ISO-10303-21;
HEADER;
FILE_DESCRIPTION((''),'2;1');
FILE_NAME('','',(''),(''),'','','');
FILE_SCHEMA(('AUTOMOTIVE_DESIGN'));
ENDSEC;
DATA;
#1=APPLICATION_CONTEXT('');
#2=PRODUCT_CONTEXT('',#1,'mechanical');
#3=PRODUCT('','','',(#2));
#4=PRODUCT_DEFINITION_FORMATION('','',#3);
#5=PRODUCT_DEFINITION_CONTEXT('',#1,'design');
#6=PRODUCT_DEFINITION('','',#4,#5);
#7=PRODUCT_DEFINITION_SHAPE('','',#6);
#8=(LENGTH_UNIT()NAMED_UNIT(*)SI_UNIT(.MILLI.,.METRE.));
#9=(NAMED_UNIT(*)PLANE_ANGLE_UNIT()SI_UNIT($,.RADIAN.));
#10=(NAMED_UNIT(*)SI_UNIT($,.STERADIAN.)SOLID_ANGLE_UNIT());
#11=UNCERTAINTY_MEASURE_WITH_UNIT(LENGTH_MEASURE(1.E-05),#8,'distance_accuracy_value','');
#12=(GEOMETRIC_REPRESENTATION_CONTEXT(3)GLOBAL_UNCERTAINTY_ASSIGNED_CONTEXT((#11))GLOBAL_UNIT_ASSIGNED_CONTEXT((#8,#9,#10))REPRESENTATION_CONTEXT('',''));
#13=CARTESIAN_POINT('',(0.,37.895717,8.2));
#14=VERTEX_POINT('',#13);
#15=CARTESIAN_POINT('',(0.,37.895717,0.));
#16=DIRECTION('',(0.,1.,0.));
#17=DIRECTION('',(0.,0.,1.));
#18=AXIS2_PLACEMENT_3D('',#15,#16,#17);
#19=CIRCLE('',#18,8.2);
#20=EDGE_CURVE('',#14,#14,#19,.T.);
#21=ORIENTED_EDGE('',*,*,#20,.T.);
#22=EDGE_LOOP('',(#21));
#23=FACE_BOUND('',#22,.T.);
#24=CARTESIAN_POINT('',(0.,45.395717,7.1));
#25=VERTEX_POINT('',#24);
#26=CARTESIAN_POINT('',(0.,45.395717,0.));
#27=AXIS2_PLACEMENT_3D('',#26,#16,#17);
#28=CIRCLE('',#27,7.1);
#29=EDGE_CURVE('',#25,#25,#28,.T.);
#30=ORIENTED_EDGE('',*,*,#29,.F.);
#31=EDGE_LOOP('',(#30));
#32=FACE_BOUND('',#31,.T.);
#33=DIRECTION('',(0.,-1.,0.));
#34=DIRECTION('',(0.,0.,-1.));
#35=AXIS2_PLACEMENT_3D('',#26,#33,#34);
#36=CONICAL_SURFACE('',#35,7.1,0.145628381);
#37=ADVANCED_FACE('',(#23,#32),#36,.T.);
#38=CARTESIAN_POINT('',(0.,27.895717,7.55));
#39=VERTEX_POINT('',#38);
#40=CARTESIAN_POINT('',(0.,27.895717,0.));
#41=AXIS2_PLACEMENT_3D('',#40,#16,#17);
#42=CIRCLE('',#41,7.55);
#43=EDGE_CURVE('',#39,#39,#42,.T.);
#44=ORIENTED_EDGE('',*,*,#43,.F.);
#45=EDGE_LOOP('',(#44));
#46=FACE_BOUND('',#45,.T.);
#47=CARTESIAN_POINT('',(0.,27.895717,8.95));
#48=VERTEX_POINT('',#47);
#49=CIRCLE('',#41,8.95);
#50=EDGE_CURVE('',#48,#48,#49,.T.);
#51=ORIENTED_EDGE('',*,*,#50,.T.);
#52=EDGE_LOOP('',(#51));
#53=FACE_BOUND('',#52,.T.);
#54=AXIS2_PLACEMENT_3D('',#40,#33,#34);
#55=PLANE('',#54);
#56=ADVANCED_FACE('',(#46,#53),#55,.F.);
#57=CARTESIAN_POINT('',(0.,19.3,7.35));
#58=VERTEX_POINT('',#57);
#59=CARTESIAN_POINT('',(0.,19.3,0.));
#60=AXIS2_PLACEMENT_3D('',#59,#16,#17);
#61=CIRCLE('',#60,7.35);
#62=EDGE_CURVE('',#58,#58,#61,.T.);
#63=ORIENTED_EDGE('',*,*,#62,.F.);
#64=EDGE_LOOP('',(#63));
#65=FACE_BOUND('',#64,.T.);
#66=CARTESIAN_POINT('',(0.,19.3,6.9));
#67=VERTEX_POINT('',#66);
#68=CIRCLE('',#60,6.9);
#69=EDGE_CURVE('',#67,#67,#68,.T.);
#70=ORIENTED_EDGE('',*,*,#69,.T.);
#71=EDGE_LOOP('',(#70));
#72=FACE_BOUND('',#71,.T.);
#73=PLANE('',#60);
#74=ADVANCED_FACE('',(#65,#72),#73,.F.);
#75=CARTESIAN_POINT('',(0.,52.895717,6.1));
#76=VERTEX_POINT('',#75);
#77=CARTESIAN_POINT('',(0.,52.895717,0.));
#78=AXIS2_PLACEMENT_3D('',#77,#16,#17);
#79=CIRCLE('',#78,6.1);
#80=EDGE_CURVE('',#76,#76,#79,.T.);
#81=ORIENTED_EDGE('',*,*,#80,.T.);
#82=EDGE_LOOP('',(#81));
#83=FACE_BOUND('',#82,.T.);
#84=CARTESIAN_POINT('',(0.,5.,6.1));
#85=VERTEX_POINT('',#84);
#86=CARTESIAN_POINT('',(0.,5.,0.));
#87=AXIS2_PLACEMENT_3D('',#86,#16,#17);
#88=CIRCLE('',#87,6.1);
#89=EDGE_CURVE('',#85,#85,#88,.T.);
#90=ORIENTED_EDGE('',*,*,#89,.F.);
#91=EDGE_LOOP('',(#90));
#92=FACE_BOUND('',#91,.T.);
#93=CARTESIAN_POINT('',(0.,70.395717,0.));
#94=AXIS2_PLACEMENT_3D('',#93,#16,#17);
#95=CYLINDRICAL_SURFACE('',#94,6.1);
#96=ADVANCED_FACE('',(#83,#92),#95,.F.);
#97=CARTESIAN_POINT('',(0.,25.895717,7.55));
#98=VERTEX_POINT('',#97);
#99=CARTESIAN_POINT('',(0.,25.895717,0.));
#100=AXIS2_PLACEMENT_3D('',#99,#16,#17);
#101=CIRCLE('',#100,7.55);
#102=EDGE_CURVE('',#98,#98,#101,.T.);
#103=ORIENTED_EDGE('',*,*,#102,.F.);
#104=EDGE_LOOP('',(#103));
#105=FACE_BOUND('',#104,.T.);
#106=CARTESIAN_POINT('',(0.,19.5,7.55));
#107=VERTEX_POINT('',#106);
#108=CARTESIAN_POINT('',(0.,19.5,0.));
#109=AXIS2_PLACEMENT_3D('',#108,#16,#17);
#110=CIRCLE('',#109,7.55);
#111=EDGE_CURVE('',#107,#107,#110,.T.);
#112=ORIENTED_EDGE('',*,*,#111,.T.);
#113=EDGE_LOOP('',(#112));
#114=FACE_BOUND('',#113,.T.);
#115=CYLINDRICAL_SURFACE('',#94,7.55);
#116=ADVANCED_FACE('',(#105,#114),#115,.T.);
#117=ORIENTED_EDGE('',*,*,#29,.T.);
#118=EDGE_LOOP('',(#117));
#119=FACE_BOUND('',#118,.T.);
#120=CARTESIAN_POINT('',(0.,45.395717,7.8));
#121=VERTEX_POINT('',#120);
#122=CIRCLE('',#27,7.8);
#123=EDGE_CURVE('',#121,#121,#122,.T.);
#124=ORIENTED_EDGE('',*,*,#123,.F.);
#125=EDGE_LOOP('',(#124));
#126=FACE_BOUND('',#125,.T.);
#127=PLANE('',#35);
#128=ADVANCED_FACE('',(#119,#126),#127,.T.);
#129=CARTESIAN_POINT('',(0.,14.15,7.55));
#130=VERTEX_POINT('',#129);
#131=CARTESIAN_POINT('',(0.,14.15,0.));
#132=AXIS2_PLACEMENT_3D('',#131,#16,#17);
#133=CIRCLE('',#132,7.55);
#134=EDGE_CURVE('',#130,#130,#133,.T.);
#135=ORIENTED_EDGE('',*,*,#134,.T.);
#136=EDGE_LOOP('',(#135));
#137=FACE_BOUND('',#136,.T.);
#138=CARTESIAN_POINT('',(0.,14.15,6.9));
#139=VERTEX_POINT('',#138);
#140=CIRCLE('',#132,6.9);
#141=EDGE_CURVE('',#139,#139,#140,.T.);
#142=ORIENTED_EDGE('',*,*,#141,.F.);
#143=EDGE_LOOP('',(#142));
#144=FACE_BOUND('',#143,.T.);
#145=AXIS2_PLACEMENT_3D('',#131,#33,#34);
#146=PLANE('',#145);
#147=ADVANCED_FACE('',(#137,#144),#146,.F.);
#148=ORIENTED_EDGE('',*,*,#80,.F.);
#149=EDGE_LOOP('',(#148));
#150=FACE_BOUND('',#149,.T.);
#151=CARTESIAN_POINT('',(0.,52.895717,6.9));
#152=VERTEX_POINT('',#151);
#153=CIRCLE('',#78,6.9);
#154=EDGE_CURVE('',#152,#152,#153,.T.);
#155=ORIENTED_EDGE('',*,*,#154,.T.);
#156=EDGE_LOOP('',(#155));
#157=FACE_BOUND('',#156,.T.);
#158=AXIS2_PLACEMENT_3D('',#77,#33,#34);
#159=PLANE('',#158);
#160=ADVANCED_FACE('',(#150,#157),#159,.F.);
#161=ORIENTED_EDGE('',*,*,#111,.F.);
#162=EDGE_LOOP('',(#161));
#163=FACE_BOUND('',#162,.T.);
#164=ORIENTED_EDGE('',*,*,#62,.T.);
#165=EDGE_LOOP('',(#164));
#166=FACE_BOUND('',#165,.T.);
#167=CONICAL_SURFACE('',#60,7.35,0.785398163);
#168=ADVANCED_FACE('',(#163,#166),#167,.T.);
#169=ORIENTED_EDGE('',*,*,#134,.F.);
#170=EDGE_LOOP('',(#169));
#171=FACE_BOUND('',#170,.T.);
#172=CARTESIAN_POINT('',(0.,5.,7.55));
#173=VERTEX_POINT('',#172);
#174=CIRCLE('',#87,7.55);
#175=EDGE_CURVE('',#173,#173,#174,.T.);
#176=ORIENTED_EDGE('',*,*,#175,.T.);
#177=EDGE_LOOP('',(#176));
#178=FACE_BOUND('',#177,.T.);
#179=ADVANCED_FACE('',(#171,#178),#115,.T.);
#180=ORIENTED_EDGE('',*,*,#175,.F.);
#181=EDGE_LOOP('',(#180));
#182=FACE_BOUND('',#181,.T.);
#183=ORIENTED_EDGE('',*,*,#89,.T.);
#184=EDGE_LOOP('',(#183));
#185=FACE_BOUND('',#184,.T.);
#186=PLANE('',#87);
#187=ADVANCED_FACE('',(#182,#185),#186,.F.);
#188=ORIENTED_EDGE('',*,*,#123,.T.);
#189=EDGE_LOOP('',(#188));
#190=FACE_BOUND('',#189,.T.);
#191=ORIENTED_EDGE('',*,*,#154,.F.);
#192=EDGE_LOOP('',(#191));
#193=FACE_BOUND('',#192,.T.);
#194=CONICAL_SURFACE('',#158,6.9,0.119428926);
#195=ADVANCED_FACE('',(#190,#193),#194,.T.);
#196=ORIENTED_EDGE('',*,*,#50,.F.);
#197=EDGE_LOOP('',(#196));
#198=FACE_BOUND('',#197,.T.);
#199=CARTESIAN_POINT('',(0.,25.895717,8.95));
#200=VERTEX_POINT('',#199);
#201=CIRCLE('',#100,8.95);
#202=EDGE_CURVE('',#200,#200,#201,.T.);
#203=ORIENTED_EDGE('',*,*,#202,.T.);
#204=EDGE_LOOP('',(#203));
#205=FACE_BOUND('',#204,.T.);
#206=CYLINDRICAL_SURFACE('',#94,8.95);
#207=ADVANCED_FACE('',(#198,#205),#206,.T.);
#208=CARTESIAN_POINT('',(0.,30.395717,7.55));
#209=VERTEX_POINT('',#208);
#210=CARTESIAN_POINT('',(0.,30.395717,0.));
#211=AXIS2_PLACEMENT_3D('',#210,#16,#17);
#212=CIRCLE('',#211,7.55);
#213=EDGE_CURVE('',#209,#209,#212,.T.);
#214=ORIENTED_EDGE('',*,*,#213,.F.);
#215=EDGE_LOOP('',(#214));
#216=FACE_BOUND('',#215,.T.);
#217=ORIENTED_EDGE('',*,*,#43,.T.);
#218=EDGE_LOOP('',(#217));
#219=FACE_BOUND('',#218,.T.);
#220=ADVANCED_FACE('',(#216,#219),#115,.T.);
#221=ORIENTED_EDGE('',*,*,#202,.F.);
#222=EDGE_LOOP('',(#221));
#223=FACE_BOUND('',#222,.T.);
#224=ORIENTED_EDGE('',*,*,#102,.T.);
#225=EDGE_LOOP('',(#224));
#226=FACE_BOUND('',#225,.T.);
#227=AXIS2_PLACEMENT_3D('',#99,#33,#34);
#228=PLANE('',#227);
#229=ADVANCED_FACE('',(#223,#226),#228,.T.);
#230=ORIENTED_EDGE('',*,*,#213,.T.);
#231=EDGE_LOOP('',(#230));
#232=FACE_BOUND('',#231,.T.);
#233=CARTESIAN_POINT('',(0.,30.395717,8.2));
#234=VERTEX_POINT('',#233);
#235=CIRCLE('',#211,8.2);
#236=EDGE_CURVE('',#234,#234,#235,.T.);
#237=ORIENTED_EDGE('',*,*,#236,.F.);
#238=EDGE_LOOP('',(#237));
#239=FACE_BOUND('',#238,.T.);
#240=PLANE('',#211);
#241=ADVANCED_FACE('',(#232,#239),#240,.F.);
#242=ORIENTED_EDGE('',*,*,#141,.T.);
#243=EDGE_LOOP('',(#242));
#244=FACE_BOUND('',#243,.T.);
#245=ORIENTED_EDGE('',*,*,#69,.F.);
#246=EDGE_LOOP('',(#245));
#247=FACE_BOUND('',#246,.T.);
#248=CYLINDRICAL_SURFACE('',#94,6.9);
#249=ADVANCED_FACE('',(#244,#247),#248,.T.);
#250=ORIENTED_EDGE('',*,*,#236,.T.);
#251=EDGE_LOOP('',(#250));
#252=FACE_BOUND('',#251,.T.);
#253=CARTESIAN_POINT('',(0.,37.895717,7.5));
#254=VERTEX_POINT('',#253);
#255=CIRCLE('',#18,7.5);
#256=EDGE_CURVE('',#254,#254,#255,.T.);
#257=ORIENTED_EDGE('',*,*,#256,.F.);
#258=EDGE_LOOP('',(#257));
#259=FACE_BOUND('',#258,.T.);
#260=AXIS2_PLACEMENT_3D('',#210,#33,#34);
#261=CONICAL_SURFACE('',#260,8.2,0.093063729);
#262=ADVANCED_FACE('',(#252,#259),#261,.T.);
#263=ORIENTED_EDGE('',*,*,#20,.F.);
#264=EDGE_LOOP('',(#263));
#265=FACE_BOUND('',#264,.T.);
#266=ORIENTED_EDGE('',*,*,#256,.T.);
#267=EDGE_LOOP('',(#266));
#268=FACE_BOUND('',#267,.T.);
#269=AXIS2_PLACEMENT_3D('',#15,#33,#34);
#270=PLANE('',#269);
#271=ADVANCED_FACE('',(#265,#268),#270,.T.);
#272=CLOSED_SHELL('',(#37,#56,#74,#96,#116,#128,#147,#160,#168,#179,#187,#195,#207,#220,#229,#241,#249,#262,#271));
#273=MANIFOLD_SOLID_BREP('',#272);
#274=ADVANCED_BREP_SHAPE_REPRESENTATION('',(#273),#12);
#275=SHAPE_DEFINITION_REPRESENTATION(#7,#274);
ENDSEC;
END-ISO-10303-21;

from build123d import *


with BuildPart() as part:
    # Sketch3 → Revolve1 (revolve)
    with BuildSketch(Plane.XY, mode=Mode.PRIVATE) as revolve1_sk:
        Polygon((7.55, 5), (7.55, 14.15), (6.9, 14.15), (6.9, 19.3), (7.35, 19.3), (7.55, 19.5), (7.55, 25.89571665), (8.95, 25.89571665), (8.95, 27.89571665), (7.55, 27.89571665), (7.55, 30.39571665), (8.2, 30.39571665), (7.5, 37.89571665), (8.2, 37.89571665), (7.1, 45.39571665), (7.8, 45.39571665), (6.9, 52.89571665), (6.1, 52.89571665), (6.1, 5), align=None)
    revolve(revolve1_sk.sketch.rotate(Axis((0, 70.39571665, 0), (0, -1, 0)), 90), axis=Axis((0, 70.39571665, 0), (0, -1, 0)))


solid = part.part
